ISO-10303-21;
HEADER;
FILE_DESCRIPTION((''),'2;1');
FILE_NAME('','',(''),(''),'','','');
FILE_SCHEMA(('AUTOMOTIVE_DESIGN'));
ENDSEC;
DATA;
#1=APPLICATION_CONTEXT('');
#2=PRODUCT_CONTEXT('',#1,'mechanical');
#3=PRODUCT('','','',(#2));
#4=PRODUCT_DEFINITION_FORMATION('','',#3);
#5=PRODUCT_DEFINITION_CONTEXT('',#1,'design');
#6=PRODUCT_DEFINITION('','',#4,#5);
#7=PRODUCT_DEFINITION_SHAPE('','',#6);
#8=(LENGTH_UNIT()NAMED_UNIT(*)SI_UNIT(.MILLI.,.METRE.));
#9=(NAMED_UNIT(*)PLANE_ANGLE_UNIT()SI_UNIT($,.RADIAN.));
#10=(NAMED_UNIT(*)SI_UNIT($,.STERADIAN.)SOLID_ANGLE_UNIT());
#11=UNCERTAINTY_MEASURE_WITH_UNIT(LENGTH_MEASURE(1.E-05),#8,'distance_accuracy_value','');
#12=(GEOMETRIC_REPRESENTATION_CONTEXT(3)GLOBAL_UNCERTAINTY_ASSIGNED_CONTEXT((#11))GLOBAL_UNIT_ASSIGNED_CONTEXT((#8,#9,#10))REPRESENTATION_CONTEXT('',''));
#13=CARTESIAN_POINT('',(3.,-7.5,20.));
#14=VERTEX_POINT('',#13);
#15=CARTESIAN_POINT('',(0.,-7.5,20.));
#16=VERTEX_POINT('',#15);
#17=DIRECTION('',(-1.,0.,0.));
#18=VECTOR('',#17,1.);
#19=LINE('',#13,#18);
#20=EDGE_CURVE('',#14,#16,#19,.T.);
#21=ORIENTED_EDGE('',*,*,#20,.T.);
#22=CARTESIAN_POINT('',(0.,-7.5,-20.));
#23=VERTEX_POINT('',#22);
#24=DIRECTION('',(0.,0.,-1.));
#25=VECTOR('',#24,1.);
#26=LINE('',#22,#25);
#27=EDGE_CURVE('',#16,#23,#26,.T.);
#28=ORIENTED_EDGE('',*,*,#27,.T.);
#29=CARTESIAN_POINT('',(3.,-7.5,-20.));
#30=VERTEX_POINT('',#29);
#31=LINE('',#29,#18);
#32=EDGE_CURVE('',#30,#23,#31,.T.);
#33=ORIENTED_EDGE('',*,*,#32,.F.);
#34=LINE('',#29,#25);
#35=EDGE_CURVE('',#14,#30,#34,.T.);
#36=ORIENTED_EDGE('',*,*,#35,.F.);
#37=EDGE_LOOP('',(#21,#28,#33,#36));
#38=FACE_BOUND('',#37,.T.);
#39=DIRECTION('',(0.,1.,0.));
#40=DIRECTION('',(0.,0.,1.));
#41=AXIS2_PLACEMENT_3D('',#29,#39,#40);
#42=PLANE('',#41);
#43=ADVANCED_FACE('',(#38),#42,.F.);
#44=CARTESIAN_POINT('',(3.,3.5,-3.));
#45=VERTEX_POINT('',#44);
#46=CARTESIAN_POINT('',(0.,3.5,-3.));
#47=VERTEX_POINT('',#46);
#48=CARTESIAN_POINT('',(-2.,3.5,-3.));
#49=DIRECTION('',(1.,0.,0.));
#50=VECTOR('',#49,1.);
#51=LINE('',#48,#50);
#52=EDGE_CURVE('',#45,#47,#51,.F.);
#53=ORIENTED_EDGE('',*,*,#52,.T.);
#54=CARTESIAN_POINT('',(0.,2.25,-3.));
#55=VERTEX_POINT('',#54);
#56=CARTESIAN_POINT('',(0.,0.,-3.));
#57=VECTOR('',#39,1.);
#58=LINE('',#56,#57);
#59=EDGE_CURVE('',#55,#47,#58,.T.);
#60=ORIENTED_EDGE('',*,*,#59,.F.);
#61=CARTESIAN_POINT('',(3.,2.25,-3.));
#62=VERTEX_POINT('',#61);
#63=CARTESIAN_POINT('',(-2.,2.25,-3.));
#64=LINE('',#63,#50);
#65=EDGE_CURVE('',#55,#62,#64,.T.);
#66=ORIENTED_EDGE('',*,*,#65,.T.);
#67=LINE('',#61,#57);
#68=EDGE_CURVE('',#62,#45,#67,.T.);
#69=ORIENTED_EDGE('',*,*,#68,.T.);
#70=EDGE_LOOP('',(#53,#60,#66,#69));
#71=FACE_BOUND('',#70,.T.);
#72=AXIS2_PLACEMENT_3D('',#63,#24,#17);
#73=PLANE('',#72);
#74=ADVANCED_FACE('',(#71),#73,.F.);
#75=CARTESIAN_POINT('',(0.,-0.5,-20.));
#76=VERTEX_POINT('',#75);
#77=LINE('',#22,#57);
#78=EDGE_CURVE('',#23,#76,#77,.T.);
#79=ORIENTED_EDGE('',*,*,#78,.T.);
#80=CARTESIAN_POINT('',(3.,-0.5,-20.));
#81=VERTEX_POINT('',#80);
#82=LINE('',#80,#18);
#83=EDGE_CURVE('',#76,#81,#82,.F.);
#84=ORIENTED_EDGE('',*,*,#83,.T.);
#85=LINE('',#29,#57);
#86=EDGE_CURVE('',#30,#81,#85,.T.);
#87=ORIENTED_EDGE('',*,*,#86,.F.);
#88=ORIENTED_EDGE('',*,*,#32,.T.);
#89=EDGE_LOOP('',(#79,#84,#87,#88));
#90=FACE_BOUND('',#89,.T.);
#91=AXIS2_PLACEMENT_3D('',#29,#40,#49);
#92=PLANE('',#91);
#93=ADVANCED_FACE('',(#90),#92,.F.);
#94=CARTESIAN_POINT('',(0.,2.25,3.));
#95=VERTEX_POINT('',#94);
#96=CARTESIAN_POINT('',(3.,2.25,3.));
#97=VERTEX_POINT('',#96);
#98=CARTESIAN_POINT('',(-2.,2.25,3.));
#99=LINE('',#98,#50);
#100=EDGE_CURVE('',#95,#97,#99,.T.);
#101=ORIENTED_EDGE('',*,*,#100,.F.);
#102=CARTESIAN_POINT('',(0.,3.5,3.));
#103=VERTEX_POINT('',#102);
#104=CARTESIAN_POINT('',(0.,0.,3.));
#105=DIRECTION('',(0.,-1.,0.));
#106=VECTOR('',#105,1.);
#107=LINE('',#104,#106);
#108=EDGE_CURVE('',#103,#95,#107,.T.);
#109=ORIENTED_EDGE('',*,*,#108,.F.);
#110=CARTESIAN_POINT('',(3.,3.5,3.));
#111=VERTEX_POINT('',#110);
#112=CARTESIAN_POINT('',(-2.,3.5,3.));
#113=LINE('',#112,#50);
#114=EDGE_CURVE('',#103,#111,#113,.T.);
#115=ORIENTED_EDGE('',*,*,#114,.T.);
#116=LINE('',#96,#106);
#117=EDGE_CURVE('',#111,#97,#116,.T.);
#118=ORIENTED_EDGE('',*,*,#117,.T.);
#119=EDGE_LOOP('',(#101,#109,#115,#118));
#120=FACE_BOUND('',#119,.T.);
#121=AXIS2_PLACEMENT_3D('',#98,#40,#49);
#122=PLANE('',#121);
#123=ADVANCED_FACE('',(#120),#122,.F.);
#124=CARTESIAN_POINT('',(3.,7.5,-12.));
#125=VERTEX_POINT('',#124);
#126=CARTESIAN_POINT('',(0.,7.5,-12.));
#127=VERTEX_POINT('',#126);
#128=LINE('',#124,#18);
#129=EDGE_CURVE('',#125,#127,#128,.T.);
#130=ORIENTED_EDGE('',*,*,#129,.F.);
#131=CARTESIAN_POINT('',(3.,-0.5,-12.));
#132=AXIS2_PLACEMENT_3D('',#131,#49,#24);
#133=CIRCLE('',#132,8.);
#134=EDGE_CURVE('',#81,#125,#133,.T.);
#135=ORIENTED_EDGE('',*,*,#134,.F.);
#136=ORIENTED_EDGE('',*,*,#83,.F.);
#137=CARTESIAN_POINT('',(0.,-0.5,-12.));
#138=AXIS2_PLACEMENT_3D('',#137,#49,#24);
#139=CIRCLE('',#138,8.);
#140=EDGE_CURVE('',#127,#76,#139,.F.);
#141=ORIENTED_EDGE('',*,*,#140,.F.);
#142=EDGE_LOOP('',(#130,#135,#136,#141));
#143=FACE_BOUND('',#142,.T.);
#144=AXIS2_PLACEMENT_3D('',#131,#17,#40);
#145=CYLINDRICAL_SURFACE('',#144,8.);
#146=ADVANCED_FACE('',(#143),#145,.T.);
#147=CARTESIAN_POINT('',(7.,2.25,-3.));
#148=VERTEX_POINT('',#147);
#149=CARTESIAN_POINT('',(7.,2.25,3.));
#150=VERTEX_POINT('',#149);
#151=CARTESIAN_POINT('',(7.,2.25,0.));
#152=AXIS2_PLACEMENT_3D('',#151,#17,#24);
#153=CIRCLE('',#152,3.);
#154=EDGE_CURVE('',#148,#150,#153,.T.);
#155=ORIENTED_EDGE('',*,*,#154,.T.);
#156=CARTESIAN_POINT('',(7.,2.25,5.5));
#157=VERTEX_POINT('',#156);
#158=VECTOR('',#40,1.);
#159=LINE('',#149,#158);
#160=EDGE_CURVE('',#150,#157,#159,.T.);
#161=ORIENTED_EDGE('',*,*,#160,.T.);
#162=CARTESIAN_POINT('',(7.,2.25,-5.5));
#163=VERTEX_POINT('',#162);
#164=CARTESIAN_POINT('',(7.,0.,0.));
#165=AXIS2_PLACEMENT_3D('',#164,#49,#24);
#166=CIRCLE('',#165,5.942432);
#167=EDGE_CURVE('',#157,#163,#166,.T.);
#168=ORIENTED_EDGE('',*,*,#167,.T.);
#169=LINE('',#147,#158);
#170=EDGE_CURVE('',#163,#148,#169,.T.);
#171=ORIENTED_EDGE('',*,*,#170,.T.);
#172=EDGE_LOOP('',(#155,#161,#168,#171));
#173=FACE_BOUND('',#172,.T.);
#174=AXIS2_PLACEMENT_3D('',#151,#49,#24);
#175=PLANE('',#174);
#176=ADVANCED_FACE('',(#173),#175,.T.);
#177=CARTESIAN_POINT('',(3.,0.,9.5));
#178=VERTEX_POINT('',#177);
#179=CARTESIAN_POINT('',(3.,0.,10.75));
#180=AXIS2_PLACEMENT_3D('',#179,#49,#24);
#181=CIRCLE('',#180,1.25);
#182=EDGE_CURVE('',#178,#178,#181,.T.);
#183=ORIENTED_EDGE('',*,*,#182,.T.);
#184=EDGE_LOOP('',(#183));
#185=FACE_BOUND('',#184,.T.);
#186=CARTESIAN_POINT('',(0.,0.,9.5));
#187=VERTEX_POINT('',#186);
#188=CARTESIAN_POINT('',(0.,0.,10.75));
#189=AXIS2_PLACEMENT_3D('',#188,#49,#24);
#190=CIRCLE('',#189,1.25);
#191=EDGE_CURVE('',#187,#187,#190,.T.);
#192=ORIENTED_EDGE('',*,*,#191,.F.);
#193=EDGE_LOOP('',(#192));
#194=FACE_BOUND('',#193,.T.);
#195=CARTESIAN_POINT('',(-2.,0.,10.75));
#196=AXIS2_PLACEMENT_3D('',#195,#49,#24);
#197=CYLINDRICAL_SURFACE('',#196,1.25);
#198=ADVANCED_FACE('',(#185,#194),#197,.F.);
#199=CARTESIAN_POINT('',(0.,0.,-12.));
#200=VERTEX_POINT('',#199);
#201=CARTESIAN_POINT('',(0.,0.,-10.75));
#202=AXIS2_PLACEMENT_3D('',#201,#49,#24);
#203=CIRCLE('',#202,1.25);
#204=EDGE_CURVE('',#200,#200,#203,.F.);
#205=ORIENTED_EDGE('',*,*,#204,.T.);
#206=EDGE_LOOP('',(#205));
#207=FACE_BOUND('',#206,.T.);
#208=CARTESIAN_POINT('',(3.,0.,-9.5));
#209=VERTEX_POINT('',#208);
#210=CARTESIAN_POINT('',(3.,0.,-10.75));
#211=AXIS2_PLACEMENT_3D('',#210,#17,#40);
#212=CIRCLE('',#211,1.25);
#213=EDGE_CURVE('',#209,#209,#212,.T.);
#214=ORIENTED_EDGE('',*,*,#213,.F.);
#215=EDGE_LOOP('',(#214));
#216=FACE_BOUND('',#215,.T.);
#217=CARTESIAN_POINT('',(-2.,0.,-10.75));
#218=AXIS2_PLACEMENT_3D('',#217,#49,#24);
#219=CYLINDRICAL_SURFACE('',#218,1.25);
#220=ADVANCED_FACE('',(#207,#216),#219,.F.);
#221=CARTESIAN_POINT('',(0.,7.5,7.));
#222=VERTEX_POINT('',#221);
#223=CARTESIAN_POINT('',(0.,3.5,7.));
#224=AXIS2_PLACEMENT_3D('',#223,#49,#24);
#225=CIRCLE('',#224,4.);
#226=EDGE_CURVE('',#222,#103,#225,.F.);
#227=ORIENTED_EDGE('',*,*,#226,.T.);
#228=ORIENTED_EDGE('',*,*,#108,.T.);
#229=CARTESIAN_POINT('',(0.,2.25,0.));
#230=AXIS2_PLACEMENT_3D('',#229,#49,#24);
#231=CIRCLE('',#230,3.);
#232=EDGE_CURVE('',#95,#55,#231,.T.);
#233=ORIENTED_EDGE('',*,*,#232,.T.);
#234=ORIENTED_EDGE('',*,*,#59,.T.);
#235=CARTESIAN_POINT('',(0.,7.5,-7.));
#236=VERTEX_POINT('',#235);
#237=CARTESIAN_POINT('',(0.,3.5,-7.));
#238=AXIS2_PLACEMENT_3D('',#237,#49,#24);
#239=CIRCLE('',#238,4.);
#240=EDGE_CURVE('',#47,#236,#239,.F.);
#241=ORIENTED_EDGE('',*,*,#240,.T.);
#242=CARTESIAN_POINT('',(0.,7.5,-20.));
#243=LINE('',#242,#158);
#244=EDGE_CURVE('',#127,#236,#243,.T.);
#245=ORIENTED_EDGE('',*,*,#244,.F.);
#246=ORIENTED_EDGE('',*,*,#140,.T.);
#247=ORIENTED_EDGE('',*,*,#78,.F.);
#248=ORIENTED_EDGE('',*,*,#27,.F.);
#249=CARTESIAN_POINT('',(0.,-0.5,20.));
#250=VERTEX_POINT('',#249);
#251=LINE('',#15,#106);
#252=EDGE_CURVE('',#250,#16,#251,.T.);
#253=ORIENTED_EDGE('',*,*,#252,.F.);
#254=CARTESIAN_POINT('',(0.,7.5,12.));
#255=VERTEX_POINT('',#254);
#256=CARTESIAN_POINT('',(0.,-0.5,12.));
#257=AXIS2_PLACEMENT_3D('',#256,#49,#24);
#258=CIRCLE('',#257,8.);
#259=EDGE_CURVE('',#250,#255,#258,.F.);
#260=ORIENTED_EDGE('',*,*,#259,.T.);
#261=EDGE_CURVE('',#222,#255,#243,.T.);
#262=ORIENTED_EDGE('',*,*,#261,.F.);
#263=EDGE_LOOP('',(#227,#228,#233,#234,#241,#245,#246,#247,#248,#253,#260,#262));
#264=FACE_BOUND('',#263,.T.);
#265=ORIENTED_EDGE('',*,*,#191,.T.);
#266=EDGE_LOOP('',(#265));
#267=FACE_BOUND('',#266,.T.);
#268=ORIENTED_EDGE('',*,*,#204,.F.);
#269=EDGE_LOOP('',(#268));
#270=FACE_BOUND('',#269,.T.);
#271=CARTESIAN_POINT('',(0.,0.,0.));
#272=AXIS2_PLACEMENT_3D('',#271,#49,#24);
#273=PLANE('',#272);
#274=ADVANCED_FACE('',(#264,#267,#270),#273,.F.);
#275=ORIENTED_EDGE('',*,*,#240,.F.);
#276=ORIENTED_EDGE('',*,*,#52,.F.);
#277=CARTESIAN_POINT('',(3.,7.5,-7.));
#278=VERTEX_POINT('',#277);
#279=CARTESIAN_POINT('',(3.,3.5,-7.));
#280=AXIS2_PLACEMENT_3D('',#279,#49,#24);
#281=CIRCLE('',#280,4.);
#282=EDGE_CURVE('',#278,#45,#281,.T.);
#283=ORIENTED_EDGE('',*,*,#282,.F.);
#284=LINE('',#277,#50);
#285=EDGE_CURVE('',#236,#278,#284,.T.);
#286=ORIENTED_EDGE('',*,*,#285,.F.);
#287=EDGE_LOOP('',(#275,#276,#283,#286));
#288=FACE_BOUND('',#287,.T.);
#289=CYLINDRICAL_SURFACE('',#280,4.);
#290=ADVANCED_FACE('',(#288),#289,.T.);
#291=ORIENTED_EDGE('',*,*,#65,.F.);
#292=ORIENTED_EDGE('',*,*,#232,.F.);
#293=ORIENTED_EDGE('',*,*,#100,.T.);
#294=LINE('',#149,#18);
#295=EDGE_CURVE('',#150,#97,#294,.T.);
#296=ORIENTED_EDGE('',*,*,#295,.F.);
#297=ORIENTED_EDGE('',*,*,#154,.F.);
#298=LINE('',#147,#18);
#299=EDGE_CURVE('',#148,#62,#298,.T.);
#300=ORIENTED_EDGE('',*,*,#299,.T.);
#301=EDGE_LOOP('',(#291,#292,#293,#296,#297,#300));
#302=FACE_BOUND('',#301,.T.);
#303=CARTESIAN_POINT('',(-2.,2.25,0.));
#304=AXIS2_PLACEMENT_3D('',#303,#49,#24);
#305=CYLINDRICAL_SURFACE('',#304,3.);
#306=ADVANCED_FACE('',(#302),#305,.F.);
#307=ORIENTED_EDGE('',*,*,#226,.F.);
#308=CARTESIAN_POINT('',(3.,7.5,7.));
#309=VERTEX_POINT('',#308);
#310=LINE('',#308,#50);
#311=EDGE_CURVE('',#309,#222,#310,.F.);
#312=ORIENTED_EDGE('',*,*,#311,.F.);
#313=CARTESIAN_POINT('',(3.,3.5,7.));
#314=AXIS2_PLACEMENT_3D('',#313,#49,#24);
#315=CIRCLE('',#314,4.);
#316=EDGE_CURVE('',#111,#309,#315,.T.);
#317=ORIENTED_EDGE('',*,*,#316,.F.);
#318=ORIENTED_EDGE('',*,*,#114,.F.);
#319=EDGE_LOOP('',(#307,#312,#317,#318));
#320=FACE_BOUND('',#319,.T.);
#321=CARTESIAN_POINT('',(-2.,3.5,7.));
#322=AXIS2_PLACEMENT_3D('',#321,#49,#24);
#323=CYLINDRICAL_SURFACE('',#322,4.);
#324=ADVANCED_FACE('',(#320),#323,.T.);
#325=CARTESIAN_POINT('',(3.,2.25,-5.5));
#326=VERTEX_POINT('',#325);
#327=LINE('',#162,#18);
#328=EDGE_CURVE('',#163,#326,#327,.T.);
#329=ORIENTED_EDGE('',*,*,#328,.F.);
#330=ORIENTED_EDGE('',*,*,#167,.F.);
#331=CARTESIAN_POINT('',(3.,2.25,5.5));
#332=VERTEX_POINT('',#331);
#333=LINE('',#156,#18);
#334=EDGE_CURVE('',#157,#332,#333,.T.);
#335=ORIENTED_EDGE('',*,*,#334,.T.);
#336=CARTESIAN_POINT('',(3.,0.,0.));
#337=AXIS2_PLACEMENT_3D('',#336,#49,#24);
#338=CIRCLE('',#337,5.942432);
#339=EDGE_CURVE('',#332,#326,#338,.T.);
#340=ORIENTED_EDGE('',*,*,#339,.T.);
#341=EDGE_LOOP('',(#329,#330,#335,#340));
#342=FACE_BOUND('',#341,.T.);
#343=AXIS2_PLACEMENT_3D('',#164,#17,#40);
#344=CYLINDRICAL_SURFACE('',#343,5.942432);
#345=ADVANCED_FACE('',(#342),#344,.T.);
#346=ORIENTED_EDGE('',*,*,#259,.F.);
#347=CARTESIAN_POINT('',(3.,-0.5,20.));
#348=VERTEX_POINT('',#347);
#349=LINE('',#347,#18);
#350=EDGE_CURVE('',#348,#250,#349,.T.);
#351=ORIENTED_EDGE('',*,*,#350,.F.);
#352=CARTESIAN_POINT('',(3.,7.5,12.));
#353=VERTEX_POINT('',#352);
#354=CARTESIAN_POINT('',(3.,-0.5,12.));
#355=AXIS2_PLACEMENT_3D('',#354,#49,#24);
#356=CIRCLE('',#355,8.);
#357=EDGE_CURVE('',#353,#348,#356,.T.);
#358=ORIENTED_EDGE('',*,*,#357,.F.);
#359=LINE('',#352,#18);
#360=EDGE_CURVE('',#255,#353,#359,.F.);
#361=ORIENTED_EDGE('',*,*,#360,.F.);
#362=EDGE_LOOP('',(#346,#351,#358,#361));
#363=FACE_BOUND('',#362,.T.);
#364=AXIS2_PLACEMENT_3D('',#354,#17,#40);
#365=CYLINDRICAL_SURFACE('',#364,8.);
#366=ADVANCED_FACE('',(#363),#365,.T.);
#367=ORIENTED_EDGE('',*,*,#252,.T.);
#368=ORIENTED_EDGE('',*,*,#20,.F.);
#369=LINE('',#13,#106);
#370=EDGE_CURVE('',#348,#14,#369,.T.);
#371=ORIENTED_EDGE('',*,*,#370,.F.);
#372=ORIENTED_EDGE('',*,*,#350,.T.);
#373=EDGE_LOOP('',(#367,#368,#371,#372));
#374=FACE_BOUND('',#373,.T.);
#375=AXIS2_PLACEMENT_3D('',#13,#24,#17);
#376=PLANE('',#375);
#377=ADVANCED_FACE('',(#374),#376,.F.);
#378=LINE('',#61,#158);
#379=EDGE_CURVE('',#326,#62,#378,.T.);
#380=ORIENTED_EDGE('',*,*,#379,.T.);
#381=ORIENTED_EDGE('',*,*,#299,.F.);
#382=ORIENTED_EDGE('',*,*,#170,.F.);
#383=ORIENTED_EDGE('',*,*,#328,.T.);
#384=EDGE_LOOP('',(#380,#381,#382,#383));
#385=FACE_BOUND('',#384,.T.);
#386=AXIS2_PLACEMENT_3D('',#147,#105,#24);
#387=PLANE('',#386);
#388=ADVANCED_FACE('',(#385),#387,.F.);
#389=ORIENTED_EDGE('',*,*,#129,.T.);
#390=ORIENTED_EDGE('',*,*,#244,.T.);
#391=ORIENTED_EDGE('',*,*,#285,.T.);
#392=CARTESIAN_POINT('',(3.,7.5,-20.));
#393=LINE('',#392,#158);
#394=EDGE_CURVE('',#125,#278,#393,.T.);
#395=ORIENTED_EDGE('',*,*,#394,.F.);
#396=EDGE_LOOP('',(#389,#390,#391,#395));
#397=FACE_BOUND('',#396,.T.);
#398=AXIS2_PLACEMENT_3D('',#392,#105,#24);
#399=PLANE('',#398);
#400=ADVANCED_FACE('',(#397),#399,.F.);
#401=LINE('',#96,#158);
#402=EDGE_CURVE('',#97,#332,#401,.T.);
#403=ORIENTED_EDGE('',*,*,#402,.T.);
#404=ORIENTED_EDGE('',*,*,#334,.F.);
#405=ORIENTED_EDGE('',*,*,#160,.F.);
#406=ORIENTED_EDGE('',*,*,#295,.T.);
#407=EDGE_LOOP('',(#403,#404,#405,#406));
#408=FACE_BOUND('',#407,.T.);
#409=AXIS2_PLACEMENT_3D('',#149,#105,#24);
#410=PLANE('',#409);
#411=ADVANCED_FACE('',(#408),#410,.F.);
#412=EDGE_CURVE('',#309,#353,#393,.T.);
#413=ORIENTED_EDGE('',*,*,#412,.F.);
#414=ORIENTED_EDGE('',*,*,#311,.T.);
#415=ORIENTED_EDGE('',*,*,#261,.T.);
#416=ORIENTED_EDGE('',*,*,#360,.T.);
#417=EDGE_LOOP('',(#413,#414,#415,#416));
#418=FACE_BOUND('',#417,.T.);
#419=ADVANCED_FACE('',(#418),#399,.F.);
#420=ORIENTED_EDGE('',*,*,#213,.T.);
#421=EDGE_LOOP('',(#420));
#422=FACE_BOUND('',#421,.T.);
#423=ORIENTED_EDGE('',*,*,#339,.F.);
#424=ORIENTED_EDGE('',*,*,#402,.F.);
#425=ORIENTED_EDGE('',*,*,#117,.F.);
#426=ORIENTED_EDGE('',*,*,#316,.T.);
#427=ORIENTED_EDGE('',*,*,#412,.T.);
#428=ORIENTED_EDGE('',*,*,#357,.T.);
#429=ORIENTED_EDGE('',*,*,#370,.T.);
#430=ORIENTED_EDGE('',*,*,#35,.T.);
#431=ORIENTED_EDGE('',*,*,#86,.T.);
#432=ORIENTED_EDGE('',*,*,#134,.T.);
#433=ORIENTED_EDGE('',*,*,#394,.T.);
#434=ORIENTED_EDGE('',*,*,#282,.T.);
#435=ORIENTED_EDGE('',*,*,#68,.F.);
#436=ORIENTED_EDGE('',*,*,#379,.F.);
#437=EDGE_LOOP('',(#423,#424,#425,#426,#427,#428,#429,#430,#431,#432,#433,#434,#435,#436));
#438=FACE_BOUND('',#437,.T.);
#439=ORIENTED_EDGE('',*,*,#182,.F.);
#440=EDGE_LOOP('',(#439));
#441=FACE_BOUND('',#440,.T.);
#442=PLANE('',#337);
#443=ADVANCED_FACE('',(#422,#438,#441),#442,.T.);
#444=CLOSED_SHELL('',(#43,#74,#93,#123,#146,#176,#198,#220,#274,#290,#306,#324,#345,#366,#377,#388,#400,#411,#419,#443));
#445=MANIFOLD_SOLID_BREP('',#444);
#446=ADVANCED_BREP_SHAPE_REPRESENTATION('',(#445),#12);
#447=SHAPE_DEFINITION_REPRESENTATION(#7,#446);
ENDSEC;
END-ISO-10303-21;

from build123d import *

# Parameters (mm, degrees)
SKETCH1_W           = 40
SKETCH1_H           = 15
BOSS_EXTRUDE1_DEPTH = 3
SKETCH2_R           = 1.25
CUT_EXTRUDE1_DEPTH  = 5
FILLET1_R           = 8
BOSS_EXTRUDE2_START = 4
BOSS_EXTRUDE2_DEPTH = 4
FILLET2_R           = 4


with BuildPart() as part:
    # Sketch1 → Boss-Extrude1 (new body)
    with BuildSketch(Plane(origin=(0, 0, 0), x_dir=(0, 0, -1), z_dir=(1, 0, 0))):
        Rectangle(SKETCH1_W, SKETCH1_H)
    extrude(amount=BOSS_EXTRUDE1_DEPTH)

    # Sketch2 → Cut-Extrude1 (cut)
    with BuildSketch(Plane(origin=(3, 0, 0), x_dir=(0, 0, -1), z_dir=(1, 0, 0))):
        with Locations((-10.75, 0)):
            Circle(SKETCH2_R)
        with BuildLine():
            Line((-3, 2.25), (-3, 7.5))
            Line((-3, 7.5), (3, 7.5))
            Line((3, 7.5), (3, 2.25))
            ThreePointArc((3, 2.25), (0, -0.75), (-3, 2.25))
        make_face()
    cut_extrude1 = extrude(amount=-CUT_EXTRUDE1_DEPTH, mode=Mode.SUBTRACT)

    # Mirror1: Cut-Extrude1 across plane
    add(cut_extrude1.mirror(Plane.XY), mode=Mode.SUBTRACT)

    # Fillet1
    fillet1_edges = [part.edges().sort_by_distance(p)[0] for p in [
        (1.5, 7.5, 20),
        (1.5, 7.5, -20),
    ]]
    fillet(fillet1_edges, radius=FILLET1_R)

    # Sketch3 → Boss-Extrude2 (add)
    with BuildSketch(Plane(origin=(3, 0, 0), x_dir=(0, 0, -1), z_dir=(1, 0, 0)).offset(BOSS_EXTRUDE2_START)):
        with BuildLine():
            Line((-3, 2.25), (-5.5, 2.25))
            ThreePointArc((-5.5, 2.25), (0, -5.942432162), (5.5, 2.25))
            Line((5.5, 2.25), (3, 2.25))
            ThreePointArc((3, 2.25), (0, -0.75), (-3, 2.25))
        make_face()
    extrude(amount=-BOSS_EXTRUDE2_DEPTH)

    # Fillet2
    fillet2_edges = [part.edges().sort_by_distance(p)[0] for p in [
        (1.5, 7.5, 3),
        (1.5, 7.5, -3),
    ]]
    fillet(fillet2_edges, radius=FILLET2_R)


solid = part.part
